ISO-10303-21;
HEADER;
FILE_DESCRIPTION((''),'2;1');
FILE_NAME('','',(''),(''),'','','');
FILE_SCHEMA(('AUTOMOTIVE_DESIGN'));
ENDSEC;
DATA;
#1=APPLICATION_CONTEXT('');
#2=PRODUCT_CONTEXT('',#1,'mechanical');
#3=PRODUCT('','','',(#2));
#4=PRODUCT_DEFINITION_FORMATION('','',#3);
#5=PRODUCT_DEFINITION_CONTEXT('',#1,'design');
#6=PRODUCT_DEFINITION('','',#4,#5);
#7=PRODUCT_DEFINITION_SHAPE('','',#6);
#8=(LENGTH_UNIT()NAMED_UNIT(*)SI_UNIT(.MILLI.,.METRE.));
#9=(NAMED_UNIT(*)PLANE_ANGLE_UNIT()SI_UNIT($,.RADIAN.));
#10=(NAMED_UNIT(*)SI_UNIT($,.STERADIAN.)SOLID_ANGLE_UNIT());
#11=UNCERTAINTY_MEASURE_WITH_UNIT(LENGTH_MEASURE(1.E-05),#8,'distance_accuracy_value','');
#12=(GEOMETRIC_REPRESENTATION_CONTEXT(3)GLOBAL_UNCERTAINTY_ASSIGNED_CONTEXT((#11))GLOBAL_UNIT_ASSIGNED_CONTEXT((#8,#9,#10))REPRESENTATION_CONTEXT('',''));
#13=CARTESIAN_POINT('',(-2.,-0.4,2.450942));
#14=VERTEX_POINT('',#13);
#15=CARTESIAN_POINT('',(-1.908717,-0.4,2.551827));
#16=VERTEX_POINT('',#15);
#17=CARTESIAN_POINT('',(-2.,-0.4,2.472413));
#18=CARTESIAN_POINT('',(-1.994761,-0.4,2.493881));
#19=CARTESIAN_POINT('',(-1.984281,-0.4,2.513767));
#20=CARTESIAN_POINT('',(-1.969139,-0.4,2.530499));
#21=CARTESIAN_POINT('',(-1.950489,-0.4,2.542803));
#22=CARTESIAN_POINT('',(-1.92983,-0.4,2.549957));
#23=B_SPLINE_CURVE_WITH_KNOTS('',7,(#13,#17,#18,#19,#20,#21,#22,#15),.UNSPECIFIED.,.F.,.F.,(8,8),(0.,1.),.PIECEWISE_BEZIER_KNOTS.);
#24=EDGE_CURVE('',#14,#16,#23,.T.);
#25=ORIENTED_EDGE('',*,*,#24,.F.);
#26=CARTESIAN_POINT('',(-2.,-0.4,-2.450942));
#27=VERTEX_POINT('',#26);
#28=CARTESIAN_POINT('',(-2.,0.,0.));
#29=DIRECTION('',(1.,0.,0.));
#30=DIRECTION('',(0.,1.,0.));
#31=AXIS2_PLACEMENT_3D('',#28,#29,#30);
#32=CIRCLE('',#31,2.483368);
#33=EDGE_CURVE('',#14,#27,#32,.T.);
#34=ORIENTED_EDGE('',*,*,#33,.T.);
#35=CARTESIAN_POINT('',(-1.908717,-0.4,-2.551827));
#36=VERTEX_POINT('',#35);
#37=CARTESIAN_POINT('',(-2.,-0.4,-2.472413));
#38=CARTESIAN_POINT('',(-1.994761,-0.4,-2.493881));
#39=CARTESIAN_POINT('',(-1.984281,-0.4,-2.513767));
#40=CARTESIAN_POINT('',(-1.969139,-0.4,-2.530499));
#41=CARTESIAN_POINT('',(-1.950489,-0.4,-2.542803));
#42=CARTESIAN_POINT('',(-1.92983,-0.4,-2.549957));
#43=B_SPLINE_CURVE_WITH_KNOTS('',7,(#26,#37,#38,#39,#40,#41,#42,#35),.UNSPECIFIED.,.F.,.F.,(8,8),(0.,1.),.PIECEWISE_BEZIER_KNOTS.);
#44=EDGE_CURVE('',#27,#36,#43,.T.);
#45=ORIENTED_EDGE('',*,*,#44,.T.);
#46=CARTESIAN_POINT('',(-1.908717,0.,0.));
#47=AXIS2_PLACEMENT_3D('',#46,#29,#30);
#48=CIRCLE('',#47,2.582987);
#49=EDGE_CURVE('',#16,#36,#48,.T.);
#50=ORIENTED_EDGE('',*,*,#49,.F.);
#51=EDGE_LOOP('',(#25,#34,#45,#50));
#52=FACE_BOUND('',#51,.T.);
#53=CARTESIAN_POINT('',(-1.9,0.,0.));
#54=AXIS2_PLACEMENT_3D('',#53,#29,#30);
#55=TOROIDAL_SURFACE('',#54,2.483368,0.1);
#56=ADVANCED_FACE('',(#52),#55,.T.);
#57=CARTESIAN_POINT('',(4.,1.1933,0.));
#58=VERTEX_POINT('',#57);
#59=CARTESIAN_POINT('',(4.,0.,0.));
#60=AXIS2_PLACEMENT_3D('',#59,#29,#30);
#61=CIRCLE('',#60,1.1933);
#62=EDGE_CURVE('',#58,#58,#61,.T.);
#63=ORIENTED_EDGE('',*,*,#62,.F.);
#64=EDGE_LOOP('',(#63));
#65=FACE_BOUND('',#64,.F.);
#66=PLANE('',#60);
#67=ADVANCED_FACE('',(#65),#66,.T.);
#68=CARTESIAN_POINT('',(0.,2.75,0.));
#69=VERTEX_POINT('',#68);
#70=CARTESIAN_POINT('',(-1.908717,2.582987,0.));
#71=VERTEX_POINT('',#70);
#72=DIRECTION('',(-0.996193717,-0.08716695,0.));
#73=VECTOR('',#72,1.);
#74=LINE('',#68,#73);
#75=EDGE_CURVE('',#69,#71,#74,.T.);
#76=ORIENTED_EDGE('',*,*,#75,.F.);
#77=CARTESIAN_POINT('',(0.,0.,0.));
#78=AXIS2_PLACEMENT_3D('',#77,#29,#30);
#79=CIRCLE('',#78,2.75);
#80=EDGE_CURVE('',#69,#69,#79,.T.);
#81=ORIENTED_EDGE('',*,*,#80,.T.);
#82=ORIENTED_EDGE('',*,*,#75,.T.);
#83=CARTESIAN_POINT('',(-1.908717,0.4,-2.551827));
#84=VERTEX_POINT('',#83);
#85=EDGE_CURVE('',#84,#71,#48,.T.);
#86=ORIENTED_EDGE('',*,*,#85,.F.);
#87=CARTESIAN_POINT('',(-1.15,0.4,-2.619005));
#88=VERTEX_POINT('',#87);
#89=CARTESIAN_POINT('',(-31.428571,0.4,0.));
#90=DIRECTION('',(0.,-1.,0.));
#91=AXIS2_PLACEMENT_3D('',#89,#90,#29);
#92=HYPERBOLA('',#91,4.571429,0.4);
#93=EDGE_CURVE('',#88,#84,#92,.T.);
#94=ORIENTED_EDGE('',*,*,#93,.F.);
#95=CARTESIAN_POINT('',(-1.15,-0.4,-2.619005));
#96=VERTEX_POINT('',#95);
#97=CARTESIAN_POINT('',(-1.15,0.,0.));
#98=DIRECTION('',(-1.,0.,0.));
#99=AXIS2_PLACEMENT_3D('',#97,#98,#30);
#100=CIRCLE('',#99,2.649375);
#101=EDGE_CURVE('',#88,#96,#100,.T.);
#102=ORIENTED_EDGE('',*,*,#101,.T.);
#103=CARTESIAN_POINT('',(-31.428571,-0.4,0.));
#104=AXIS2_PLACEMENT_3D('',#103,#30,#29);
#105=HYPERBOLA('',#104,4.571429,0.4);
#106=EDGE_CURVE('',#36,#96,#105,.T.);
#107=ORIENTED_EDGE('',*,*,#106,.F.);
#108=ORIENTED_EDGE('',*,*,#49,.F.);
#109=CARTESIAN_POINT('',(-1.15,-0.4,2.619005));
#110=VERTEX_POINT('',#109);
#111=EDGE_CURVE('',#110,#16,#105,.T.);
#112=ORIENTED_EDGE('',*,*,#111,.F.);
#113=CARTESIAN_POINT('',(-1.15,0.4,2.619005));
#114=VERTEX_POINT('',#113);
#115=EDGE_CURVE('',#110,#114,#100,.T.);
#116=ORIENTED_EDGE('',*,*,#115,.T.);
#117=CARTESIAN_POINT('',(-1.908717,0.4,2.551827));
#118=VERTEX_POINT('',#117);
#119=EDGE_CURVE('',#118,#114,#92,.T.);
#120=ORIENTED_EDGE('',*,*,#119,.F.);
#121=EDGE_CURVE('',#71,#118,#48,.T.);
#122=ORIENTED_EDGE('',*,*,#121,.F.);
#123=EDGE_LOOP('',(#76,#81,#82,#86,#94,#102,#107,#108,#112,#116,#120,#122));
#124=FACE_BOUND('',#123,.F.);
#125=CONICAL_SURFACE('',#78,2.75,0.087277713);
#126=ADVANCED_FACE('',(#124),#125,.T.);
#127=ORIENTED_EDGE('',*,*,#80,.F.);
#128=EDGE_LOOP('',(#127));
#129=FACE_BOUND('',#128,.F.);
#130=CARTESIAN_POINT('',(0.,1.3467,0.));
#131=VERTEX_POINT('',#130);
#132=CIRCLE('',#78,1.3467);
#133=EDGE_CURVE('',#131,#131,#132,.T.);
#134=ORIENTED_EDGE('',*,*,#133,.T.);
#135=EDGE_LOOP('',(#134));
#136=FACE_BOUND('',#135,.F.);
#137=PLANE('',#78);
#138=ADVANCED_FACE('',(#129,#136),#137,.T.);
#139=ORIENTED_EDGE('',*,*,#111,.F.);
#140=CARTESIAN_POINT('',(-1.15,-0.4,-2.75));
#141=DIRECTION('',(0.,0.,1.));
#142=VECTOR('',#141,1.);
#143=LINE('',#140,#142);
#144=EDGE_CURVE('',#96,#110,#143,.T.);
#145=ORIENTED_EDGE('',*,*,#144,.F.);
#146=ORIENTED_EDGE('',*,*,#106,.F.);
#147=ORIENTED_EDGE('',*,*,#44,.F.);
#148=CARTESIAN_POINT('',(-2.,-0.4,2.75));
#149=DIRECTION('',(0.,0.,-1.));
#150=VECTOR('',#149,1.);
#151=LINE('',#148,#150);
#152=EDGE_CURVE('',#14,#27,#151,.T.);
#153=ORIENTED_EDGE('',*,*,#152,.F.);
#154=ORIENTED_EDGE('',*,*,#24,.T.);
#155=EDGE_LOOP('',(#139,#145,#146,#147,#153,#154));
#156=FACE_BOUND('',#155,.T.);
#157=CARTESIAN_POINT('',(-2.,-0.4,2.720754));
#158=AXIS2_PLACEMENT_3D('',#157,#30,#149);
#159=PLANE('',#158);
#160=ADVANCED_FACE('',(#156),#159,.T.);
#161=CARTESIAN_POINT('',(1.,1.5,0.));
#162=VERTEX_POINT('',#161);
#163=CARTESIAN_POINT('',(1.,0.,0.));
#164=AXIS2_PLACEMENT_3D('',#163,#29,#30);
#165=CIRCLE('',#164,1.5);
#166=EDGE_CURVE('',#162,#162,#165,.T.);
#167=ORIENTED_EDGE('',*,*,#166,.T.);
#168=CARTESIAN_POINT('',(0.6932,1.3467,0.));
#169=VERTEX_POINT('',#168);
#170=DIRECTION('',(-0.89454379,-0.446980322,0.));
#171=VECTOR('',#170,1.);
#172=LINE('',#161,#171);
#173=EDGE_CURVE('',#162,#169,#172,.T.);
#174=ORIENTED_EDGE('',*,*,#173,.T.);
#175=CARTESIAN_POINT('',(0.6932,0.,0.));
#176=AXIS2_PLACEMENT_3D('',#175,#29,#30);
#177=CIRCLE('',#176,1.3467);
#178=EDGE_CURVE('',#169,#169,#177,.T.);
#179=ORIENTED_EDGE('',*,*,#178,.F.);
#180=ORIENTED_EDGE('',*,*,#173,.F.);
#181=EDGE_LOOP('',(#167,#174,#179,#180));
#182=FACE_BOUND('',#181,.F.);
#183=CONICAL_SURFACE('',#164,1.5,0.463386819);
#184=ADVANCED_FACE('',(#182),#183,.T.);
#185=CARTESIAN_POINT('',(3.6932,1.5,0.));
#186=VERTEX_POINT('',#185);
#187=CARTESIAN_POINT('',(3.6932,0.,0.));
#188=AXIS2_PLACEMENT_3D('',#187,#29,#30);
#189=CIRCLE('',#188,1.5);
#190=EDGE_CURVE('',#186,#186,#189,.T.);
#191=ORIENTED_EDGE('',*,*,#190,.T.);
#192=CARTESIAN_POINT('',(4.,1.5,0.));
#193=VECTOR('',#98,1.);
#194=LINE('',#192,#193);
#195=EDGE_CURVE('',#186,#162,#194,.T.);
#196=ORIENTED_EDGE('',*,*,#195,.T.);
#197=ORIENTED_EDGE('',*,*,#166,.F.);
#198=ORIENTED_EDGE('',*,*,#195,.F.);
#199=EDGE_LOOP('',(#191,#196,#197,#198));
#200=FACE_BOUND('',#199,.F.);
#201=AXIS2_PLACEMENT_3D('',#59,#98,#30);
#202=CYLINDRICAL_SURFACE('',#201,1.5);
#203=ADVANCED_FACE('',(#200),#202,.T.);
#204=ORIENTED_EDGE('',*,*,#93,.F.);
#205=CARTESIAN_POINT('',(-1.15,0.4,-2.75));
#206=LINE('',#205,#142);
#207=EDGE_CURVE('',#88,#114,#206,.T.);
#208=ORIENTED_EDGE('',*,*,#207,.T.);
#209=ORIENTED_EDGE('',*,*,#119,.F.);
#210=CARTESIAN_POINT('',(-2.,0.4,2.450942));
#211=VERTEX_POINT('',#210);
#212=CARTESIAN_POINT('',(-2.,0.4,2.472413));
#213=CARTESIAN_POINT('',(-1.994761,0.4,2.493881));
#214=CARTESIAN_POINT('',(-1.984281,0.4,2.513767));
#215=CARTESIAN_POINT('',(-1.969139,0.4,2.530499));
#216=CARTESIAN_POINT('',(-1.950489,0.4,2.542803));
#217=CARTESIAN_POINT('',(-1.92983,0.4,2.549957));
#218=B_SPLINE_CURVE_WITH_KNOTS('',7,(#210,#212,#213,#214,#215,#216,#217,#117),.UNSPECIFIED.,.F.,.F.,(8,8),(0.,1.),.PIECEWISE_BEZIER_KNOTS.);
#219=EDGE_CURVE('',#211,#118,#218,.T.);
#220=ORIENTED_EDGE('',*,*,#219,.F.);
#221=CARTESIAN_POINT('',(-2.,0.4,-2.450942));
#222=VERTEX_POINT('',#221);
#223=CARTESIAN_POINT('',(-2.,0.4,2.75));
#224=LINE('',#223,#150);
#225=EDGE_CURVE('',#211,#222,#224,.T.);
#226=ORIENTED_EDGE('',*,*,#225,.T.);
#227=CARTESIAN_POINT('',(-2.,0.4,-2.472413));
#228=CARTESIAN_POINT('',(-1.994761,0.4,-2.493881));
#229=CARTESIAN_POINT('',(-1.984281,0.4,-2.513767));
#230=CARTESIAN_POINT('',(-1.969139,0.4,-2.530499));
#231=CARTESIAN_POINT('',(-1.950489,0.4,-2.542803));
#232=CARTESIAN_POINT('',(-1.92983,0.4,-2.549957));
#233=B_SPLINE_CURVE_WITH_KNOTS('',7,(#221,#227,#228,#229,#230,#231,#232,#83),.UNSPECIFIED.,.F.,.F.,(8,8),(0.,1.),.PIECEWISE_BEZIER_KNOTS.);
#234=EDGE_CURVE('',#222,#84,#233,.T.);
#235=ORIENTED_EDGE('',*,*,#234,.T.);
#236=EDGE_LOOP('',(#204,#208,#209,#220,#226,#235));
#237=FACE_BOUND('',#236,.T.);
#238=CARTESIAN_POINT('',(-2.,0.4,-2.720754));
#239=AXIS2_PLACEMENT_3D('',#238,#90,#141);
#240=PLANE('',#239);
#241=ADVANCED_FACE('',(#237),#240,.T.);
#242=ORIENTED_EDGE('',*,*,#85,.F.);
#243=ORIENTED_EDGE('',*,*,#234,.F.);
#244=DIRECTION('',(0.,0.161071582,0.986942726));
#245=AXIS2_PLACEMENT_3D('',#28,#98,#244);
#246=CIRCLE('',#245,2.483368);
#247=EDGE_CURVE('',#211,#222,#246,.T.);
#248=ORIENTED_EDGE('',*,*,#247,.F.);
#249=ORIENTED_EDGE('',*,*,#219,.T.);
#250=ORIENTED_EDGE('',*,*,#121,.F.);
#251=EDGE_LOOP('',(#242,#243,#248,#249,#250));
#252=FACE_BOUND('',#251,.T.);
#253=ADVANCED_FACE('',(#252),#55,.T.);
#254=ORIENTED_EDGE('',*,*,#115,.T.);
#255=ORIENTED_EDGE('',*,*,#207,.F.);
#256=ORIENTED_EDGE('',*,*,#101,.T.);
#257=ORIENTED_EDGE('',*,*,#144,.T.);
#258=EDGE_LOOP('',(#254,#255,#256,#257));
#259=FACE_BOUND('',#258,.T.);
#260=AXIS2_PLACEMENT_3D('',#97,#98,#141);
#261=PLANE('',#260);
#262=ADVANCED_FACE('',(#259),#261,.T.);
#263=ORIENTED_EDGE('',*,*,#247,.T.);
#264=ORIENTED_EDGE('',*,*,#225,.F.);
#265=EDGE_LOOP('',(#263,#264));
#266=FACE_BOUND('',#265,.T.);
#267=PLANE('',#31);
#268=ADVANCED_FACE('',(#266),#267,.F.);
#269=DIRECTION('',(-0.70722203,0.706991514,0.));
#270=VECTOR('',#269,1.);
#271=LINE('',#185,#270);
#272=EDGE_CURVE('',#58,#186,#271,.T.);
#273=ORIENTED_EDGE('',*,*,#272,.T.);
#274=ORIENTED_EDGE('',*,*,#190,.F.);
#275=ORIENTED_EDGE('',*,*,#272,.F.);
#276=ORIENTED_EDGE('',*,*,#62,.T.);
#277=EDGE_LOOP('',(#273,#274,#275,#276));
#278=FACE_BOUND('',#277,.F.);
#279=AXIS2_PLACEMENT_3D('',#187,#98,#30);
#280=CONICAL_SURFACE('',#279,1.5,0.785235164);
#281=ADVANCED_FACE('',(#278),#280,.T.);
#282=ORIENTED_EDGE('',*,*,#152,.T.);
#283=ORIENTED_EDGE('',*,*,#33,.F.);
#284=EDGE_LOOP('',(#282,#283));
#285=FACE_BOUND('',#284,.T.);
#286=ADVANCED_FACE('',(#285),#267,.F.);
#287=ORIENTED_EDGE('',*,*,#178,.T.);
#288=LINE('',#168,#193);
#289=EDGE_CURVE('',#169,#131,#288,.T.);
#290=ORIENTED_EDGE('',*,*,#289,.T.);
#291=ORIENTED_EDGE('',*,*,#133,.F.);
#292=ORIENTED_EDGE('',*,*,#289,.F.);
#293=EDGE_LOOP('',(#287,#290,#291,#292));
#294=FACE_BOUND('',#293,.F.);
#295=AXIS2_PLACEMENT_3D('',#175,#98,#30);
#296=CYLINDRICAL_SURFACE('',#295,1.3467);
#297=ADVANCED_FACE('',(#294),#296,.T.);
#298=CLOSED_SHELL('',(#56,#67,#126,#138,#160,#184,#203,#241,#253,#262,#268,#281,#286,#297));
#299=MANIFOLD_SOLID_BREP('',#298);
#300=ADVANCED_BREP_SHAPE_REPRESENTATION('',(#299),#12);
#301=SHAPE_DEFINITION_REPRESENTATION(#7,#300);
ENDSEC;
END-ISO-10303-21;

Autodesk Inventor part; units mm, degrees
ref_plane "YZ Plane" through (0, 0, 0) normal (1, 0, 0) x (0, 1, 0)
ref_plane "XZ Plane" through (0, 0, 0) normal (0, 1, 0) x (-1, 0, 0)
sketch "Skizze1" plane through (0, 0, 0) normal (0, 0, 1) x (1, 0, 0)
  line L0 (-2, 0) -> (4, 0)
  line L1 (4, 0) -> (4, 1.5)
  line L2 (4, 1.5) -> (1, 1.5)
  line L3 (1, 1.5) -> (0.6932, 1.3467)
  line L4 (0.6932, 1.3467) -> (0, 1.3467)
  line L5 (0, 1.3467) -> (0, 2.75)
  line L6 (-3.2, 0) -> (5.2, 0) projected
  line L7 (0, -0.55) -> (0, 3.3) projected
  line L8 (-2, 0) -> (-2, 2.575)
  line L9 (0, 2.75) -> (-2, 2.575)
  line L10 (1, 1.5) -> (0, 1.5) construction
  dimension "d0" = 4
  dimension "d1" = 3
  dimension "d2" = 0.3068
  dimension "d3" = 2
  dimension "d4" = 3
  dimension "d5" = 2.6935
  dimension "d9" = 5.5
  dimension "d10" = 5
revolve "Körper" add sketch "Skizze1" angle 360 about axis through (-2, 0, 0) along (1, 0, 0)
sketch "Skizze2" plane through (-2, 0, 0) normal (-1, 0, 0) x (0, 0, 1)
  circle A0 centre (0, 0) radius 2.75 projected
  line L0 (0, 0) -> (0, 2.575) projected
  line L1 (-2.75, 0.4) -> (2.75, 0.4)
  line L2 (2.75, 0.4) -> (2.75, -0.4)
  line L3 (2.75, -0.4) -> (-2.75, -0.4)
  line L4 (-2.75, -0.4) -> (-2.75, 0.4)
  line L5 (-2.75, 0) -> (2.75, 0) construction
  line L6 (0, 0.4) -> (0, -0.4) construction
  dimension "d11" = 0.8
  dimension "d12" = 5.5
fillet "Rundung1" radius 0.1 1 edges at (-2, -2.575, 0)
extrude "Loch" cut sketch "Skizze2" against normal blind 0.85 contours A0 L3 L1 | L2 L3 A0 | A0 L1 L2 | A0 L4 L1 | L3 L4 A0
thread "Gewinde" size "M3x0.5" class "6g" standard "ISO Metric profile" length 3
chamfer "Fase1" distance 0.3067 distance2 0.3068 1 edges at (4, -1.5, 0) measured on face at (4, 0.3743, -0.4914)
ref_plane "Work Plane1" through (30.1625, 0, 0) normal (0, 0, -1) x (1, 0, 0)
equation "\"d11\" = SBR"
equation "\"d12\" = KOD"
equation "\"d14\" = RR"
equation "\"d19\" = STI"
equation "\"d15\" = GEL"
equation "\"d17\" = -0.5 * SPD + 0.5 * GD"
equation "\"d0\" = NLG"
equation "\"d1\" = GEL"
equation "\"d3\" = KOH"
equation "\"d4\" = GD"
equation "\"d5\" = BDM"
equation "\"d9\" = KOD"
equation "\"d10\" = KEWI"
equation "\"GD\" = NND"
equation "\"NLG\" = 4"
equation "\"GEL\" = 3"
equation "\"KOD\" = 5.5"
equation "\"KOH\" = 2"
equation "\"GAL\" = 0.61345 * PTC"
equation "\"SPD\" = NND - 1.2269 * PTC"
equation "\"BDM\" = 2.6935"
equation "\"GUL\" = 0.61345 * PTC"
equation "\"RR\" = 0.1"
equation "\"SBR\" = 0.8"
equation "\"STI\" = 0.85"
equation "\"KEWI\" = 5deg"
equation "\"PTC\" = 0.5"
equation "\"THREADDIA\" = 3"
equation "\"TOA\" = 30deg"
equation "\"NND\" = 3"
equation "\"GD1\" = THREADDIA - 1.2269 * PTC"
properties part number "ISO 1207  - M3 x 4" material "Edelstahl, 440C"
